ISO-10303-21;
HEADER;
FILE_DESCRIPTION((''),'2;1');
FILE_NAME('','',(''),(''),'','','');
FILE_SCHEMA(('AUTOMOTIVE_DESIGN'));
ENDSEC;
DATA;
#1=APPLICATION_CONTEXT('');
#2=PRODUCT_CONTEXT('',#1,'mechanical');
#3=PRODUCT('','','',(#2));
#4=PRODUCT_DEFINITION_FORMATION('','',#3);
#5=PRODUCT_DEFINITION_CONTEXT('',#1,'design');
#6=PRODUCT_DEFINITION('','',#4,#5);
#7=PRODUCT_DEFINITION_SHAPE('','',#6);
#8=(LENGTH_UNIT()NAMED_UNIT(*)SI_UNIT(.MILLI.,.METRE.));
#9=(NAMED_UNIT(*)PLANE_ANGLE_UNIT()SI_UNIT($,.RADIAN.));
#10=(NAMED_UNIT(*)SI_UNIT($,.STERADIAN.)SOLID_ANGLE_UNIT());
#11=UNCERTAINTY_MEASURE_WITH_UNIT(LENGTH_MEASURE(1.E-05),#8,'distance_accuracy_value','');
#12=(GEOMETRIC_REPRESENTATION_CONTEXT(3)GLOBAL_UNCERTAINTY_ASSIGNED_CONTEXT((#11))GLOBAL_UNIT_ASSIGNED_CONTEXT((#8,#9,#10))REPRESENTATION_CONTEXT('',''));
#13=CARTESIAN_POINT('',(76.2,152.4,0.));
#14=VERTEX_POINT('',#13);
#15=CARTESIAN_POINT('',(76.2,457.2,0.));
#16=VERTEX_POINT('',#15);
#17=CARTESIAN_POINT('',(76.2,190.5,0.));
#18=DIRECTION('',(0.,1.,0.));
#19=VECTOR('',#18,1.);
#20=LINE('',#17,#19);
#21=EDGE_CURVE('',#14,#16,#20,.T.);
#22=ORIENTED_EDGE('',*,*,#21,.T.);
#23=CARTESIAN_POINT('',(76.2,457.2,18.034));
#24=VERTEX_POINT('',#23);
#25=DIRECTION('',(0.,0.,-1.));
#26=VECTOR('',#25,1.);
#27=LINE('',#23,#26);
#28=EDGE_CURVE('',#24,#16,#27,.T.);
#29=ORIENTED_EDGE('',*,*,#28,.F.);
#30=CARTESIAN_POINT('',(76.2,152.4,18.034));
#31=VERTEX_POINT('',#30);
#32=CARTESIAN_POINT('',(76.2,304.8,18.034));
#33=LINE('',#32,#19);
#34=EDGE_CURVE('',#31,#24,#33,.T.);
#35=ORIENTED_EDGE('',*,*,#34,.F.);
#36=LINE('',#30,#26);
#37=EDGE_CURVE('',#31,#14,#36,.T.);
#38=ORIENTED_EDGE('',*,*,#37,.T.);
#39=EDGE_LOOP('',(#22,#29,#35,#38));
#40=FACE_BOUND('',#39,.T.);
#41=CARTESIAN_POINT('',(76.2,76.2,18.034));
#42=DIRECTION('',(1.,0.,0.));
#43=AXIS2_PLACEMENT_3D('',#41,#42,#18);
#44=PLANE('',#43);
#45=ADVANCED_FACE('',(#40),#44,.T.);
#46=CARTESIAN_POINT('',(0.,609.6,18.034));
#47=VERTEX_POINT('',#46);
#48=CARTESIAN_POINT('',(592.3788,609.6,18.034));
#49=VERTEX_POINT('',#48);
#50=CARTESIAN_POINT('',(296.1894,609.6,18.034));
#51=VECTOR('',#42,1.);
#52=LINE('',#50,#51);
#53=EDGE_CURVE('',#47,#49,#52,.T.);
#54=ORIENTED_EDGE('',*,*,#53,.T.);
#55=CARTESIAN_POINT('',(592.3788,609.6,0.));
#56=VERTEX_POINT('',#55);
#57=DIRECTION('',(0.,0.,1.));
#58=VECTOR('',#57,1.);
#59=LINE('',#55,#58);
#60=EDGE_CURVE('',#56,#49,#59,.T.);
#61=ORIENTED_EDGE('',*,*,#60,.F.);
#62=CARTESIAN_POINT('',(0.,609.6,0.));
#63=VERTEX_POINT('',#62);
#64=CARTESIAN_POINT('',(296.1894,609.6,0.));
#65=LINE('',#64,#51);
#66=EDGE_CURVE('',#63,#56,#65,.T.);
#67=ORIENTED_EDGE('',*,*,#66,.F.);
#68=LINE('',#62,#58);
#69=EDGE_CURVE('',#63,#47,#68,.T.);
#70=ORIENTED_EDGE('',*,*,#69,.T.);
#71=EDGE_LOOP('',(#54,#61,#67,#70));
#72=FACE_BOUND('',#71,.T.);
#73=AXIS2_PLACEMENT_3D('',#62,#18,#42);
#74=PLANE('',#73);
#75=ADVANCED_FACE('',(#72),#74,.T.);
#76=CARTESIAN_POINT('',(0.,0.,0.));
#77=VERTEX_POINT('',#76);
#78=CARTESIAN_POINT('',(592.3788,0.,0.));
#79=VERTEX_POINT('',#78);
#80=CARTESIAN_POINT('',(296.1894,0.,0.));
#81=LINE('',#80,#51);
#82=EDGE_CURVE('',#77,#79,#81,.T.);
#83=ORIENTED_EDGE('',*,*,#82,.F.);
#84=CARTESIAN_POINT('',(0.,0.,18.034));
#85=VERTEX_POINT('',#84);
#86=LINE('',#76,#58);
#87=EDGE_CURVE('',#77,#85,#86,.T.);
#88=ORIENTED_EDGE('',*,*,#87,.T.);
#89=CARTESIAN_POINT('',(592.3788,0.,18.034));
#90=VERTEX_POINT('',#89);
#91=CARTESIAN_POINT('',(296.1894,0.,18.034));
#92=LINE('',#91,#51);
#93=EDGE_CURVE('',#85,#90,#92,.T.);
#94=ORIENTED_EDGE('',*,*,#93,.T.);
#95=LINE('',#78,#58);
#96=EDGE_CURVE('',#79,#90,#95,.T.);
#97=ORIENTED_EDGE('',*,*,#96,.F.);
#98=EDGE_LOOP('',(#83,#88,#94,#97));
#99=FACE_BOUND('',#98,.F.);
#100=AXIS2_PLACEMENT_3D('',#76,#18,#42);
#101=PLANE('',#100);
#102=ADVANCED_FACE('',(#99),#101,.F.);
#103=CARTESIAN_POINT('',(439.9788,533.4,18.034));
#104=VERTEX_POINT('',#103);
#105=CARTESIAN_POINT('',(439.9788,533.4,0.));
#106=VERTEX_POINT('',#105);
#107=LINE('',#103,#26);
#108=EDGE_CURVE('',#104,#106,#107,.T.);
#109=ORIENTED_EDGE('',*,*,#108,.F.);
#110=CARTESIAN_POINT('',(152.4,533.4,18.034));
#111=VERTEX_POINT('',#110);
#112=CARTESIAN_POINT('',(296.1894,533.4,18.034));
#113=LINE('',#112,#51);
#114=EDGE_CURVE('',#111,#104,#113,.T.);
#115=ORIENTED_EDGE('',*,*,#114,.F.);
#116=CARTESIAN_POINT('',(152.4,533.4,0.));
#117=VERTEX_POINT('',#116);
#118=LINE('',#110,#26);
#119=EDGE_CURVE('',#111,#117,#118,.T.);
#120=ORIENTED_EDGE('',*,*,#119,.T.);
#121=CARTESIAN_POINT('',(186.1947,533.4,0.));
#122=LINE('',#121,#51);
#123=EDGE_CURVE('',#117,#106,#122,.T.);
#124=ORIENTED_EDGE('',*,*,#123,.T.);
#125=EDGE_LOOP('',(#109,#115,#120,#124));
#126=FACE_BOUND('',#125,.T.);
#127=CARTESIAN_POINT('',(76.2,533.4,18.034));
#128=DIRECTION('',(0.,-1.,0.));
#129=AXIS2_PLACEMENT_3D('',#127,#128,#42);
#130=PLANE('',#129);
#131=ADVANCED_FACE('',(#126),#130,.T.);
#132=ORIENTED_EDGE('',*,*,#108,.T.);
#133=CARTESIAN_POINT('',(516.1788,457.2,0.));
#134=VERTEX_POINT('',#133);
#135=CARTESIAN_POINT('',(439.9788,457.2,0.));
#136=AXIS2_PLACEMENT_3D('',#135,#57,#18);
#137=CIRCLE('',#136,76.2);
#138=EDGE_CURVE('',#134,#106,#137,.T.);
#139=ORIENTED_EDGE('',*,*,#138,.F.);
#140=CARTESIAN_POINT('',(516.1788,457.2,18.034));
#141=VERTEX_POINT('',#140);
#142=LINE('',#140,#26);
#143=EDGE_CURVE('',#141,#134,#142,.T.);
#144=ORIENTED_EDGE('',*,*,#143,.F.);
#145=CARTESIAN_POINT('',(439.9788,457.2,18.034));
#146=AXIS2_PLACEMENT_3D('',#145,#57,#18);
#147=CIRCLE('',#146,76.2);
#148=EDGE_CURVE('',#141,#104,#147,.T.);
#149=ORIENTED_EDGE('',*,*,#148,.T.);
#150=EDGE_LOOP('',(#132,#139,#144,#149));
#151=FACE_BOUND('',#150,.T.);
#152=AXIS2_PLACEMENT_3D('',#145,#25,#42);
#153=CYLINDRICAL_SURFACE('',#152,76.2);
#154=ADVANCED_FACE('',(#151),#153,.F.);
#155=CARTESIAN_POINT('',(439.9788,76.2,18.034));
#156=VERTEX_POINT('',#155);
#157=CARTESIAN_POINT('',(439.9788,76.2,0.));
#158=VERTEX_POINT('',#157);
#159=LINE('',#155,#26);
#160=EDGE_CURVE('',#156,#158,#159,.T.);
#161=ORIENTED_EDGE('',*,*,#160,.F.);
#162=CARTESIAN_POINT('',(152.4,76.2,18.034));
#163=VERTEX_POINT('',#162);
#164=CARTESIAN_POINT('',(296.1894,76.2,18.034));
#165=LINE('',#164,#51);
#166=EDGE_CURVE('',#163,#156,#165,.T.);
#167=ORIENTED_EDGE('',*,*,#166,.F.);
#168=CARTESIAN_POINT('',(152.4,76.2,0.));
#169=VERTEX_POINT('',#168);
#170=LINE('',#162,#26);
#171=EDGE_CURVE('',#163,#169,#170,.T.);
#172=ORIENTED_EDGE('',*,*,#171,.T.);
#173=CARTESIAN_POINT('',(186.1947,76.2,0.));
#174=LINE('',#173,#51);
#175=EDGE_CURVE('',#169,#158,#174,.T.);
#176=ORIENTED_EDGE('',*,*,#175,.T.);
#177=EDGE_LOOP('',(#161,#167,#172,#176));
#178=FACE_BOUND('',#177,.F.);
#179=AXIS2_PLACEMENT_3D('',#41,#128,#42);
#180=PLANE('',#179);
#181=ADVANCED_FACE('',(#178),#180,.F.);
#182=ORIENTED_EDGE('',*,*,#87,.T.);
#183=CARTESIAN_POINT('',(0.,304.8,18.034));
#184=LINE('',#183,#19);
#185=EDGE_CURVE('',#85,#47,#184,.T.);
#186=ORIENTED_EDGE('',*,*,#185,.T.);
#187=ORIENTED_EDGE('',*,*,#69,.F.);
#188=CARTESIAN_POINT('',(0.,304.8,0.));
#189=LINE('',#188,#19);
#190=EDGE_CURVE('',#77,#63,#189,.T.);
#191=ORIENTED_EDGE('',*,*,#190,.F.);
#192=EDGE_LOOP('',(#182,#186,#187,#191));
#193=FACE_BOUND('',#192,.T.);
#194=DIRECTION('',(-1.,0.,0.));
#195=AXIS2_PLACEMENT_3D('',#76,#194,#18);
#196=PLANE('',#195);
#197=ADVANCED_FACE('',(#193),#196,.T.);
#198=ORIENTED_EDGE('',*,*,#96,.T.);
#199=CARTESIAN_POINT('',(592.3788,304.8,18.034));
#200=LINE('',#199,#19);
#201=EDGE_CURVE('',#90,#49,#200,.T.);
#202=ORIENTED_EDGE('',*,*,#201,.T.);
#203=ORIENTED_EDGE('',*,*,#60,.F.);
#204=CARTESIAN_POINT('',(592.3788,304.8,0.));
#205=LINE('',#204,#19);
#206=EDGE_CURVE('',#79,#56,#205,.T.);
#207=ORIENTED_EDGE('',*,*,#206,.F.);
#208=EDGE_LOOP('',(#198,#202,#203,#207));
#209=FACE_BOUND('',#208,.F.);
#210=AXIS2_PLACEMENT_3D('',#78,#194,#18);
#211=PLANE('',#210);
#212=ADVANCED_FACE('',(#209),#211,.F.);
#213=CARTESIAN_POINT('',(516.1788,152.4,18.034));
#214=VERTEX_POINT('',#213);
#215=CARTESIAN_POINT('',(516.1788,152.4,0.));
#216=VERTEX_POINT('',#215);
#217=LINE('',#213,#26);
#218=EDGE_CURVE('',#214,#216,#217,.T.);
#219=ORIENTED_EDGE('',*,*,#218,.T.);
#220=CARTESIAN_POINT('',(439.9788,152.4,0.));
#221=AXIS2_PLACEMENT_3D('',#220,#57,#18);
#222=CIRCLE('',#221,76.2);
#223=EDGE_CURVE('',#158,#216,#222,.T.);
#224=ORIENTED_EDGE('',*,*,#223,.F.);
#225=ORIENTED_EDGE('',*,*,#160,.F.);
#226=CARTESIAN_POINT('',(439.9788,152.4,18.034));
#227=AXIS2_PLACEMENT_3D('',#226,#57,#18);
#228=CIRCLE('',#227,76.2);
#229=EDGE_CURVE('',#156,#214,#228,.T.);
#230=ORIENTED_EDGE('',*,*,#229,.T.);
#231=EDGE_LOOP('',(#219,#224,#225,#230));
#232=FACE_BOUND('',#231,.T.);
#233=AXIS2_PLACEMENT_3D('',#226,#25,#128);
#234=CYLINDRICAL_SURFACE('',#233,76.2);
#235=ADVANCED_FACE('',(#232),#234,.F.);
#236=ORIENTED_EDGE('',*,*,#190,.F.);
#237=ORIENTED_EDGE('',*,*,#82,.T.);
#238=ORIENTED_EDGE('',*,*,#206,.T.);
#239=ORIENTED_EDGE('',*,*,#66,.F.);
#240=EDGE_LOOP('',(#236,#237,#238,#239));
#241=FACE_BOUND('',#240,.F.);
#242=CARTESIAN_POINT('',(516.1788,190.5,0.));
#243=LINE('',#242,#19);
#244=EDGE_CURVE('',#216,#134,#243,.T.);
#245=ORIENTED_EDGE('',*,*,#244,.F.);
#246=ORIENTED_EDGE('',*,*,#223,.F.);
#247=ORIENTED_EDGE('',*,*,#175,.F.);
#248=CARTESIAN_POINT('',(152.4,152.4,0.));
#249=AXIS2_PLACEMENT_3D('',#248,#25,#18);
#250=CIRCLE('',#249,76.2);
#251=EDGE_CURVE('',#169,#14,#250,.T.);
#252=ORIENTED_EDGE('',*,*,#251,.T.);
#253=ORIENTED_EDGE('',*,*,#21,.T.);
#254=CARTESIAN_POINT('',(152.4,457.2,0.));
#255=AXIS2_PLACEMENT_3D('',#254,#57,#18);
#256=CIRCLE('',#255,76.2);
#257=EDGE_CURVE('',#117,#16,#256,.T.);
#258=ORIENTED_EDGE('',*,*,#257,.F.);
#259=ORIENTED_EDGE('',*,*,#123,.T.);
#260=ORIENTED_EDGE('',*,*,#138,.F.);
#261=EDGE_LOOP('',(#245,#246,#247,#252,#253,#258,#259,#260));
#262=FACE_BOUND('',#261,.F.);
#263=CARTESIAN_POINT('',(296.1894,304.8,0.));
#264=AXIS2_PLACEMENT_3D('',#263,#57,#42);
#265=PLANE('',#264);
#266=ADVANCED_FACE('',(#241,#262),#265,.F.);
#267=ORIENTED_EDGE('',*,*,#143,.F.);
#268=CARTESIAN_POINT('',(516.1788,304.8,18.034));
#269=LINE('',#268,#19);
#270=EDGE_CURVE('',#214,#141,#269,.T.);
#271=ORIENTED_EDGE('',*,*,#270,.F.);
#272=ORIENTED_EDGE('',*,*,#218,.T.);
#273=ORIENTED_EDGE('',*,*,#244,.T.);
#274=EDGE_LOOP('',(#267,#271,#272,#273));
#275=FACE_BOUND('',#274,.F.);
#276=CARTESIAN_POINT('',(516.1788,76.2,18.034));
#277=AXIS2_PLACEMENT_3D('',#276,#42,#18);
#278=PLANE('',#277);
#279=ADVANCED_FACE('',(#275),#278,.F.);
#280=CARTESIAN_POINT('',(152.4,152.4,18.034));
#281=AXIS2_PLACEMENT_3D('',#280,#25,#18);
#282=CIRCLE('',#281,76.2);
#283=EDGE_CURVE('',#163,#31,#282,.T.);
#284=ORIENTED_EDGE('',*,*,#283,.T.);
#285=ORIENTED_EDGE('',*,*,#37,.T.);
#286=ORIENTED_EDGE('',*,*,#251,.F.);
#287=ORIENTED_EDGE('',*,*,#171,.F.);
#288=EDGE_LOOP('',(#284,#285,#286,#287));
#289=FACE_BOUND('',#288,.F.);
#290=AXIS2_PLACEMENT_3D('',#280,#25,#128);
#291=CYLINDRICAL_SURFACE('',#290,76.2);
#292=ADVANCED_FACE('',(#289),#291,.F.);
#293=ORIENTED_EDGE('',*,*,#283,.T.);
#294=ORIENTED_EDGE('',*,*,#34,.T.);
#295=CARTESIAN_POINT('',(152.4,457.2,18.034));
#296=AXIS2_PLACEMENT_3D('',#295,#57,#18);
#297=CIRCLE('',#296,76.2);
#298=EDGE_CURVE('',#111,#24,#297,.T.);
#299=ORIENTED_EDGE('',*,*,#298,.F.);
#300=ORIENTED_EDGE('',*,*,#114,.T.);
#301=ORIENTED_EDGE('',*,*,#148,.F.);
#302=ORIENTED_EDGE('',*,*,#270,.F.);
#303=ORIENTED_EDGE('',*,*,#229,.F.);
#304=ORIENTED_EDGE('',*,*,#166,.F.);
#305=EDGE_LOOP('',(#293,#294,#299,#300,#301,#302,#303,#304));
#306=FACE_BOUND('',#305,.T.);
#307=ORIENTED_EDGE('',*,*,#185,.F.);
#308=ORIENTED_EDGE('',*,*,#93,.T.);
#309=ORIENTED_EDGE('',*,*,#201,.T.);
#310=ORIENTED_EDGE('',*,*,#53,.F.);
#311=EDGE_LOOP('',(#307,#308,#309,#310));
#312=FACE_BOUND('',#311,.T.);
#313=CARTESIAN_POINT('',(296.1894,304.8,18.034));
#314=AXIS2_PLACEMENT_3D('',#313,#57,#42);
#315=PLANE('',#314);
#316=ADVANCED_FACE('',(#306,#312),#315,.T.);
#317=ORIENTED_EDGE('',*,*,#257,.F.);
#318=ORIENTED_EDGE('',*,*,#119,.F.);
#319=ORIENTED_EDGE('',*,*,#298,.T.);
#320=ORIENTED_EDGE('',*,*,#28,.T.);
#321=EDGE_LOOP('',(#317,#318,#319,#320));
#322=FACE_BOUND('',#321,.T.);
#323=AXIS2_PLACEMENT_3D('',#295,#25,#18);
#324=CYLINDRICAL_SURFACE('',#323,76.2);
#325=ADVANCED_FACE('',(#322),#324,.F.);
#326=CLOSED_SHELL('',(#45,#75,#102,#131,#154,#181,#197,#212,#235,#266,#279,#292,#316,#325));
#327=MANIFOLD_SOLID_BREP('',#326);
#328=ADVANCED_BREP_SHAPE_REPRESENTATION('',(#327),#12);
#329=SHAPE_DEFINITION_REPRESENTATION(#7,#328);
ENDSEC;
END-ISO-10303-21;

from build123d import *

# Parameters (mm, degrees)
F0_W     = 592.3788
F0_H     = 609.6
F1_DEPTH = 18.034
F2_W     = 439.9788
F2_H     = 457.2
F3_DEPTH = 18.035
F4_R     = 76.2


with BuildPart() as f1:
    # F0 (on Top) → F1 (new body)
    with BuildSketch(Plane.XY):
        with Locations((296.1894, 304.8)):
            Rectangle(F0_W, F0_H)
    extrude(amount=F1_DEPTH)

    # F2 (on face) → F3 (cut, through all)
    with BuildSketch(Plane.XY.offset(18.034)):
        with Locations((296.1894, 304.8)):
            Rectangle(F2_W, F2_H)
    extrude(amount=-F3_DEPTH, mode=Mode.SUBTRACT)

    # F4
    f4_edges = [f1.edges().sort_by_distance(p)[0] for p in [
        (516.1788, 533.4, 9.017),
        (76.2, 533.4, 9.017),
        (76.2, 76.2, 9.017),
        (516.1788, 76.2, 9.017),
    ]]
    fillet(f4_edges, radius=F4_R)


solid = f1.part
